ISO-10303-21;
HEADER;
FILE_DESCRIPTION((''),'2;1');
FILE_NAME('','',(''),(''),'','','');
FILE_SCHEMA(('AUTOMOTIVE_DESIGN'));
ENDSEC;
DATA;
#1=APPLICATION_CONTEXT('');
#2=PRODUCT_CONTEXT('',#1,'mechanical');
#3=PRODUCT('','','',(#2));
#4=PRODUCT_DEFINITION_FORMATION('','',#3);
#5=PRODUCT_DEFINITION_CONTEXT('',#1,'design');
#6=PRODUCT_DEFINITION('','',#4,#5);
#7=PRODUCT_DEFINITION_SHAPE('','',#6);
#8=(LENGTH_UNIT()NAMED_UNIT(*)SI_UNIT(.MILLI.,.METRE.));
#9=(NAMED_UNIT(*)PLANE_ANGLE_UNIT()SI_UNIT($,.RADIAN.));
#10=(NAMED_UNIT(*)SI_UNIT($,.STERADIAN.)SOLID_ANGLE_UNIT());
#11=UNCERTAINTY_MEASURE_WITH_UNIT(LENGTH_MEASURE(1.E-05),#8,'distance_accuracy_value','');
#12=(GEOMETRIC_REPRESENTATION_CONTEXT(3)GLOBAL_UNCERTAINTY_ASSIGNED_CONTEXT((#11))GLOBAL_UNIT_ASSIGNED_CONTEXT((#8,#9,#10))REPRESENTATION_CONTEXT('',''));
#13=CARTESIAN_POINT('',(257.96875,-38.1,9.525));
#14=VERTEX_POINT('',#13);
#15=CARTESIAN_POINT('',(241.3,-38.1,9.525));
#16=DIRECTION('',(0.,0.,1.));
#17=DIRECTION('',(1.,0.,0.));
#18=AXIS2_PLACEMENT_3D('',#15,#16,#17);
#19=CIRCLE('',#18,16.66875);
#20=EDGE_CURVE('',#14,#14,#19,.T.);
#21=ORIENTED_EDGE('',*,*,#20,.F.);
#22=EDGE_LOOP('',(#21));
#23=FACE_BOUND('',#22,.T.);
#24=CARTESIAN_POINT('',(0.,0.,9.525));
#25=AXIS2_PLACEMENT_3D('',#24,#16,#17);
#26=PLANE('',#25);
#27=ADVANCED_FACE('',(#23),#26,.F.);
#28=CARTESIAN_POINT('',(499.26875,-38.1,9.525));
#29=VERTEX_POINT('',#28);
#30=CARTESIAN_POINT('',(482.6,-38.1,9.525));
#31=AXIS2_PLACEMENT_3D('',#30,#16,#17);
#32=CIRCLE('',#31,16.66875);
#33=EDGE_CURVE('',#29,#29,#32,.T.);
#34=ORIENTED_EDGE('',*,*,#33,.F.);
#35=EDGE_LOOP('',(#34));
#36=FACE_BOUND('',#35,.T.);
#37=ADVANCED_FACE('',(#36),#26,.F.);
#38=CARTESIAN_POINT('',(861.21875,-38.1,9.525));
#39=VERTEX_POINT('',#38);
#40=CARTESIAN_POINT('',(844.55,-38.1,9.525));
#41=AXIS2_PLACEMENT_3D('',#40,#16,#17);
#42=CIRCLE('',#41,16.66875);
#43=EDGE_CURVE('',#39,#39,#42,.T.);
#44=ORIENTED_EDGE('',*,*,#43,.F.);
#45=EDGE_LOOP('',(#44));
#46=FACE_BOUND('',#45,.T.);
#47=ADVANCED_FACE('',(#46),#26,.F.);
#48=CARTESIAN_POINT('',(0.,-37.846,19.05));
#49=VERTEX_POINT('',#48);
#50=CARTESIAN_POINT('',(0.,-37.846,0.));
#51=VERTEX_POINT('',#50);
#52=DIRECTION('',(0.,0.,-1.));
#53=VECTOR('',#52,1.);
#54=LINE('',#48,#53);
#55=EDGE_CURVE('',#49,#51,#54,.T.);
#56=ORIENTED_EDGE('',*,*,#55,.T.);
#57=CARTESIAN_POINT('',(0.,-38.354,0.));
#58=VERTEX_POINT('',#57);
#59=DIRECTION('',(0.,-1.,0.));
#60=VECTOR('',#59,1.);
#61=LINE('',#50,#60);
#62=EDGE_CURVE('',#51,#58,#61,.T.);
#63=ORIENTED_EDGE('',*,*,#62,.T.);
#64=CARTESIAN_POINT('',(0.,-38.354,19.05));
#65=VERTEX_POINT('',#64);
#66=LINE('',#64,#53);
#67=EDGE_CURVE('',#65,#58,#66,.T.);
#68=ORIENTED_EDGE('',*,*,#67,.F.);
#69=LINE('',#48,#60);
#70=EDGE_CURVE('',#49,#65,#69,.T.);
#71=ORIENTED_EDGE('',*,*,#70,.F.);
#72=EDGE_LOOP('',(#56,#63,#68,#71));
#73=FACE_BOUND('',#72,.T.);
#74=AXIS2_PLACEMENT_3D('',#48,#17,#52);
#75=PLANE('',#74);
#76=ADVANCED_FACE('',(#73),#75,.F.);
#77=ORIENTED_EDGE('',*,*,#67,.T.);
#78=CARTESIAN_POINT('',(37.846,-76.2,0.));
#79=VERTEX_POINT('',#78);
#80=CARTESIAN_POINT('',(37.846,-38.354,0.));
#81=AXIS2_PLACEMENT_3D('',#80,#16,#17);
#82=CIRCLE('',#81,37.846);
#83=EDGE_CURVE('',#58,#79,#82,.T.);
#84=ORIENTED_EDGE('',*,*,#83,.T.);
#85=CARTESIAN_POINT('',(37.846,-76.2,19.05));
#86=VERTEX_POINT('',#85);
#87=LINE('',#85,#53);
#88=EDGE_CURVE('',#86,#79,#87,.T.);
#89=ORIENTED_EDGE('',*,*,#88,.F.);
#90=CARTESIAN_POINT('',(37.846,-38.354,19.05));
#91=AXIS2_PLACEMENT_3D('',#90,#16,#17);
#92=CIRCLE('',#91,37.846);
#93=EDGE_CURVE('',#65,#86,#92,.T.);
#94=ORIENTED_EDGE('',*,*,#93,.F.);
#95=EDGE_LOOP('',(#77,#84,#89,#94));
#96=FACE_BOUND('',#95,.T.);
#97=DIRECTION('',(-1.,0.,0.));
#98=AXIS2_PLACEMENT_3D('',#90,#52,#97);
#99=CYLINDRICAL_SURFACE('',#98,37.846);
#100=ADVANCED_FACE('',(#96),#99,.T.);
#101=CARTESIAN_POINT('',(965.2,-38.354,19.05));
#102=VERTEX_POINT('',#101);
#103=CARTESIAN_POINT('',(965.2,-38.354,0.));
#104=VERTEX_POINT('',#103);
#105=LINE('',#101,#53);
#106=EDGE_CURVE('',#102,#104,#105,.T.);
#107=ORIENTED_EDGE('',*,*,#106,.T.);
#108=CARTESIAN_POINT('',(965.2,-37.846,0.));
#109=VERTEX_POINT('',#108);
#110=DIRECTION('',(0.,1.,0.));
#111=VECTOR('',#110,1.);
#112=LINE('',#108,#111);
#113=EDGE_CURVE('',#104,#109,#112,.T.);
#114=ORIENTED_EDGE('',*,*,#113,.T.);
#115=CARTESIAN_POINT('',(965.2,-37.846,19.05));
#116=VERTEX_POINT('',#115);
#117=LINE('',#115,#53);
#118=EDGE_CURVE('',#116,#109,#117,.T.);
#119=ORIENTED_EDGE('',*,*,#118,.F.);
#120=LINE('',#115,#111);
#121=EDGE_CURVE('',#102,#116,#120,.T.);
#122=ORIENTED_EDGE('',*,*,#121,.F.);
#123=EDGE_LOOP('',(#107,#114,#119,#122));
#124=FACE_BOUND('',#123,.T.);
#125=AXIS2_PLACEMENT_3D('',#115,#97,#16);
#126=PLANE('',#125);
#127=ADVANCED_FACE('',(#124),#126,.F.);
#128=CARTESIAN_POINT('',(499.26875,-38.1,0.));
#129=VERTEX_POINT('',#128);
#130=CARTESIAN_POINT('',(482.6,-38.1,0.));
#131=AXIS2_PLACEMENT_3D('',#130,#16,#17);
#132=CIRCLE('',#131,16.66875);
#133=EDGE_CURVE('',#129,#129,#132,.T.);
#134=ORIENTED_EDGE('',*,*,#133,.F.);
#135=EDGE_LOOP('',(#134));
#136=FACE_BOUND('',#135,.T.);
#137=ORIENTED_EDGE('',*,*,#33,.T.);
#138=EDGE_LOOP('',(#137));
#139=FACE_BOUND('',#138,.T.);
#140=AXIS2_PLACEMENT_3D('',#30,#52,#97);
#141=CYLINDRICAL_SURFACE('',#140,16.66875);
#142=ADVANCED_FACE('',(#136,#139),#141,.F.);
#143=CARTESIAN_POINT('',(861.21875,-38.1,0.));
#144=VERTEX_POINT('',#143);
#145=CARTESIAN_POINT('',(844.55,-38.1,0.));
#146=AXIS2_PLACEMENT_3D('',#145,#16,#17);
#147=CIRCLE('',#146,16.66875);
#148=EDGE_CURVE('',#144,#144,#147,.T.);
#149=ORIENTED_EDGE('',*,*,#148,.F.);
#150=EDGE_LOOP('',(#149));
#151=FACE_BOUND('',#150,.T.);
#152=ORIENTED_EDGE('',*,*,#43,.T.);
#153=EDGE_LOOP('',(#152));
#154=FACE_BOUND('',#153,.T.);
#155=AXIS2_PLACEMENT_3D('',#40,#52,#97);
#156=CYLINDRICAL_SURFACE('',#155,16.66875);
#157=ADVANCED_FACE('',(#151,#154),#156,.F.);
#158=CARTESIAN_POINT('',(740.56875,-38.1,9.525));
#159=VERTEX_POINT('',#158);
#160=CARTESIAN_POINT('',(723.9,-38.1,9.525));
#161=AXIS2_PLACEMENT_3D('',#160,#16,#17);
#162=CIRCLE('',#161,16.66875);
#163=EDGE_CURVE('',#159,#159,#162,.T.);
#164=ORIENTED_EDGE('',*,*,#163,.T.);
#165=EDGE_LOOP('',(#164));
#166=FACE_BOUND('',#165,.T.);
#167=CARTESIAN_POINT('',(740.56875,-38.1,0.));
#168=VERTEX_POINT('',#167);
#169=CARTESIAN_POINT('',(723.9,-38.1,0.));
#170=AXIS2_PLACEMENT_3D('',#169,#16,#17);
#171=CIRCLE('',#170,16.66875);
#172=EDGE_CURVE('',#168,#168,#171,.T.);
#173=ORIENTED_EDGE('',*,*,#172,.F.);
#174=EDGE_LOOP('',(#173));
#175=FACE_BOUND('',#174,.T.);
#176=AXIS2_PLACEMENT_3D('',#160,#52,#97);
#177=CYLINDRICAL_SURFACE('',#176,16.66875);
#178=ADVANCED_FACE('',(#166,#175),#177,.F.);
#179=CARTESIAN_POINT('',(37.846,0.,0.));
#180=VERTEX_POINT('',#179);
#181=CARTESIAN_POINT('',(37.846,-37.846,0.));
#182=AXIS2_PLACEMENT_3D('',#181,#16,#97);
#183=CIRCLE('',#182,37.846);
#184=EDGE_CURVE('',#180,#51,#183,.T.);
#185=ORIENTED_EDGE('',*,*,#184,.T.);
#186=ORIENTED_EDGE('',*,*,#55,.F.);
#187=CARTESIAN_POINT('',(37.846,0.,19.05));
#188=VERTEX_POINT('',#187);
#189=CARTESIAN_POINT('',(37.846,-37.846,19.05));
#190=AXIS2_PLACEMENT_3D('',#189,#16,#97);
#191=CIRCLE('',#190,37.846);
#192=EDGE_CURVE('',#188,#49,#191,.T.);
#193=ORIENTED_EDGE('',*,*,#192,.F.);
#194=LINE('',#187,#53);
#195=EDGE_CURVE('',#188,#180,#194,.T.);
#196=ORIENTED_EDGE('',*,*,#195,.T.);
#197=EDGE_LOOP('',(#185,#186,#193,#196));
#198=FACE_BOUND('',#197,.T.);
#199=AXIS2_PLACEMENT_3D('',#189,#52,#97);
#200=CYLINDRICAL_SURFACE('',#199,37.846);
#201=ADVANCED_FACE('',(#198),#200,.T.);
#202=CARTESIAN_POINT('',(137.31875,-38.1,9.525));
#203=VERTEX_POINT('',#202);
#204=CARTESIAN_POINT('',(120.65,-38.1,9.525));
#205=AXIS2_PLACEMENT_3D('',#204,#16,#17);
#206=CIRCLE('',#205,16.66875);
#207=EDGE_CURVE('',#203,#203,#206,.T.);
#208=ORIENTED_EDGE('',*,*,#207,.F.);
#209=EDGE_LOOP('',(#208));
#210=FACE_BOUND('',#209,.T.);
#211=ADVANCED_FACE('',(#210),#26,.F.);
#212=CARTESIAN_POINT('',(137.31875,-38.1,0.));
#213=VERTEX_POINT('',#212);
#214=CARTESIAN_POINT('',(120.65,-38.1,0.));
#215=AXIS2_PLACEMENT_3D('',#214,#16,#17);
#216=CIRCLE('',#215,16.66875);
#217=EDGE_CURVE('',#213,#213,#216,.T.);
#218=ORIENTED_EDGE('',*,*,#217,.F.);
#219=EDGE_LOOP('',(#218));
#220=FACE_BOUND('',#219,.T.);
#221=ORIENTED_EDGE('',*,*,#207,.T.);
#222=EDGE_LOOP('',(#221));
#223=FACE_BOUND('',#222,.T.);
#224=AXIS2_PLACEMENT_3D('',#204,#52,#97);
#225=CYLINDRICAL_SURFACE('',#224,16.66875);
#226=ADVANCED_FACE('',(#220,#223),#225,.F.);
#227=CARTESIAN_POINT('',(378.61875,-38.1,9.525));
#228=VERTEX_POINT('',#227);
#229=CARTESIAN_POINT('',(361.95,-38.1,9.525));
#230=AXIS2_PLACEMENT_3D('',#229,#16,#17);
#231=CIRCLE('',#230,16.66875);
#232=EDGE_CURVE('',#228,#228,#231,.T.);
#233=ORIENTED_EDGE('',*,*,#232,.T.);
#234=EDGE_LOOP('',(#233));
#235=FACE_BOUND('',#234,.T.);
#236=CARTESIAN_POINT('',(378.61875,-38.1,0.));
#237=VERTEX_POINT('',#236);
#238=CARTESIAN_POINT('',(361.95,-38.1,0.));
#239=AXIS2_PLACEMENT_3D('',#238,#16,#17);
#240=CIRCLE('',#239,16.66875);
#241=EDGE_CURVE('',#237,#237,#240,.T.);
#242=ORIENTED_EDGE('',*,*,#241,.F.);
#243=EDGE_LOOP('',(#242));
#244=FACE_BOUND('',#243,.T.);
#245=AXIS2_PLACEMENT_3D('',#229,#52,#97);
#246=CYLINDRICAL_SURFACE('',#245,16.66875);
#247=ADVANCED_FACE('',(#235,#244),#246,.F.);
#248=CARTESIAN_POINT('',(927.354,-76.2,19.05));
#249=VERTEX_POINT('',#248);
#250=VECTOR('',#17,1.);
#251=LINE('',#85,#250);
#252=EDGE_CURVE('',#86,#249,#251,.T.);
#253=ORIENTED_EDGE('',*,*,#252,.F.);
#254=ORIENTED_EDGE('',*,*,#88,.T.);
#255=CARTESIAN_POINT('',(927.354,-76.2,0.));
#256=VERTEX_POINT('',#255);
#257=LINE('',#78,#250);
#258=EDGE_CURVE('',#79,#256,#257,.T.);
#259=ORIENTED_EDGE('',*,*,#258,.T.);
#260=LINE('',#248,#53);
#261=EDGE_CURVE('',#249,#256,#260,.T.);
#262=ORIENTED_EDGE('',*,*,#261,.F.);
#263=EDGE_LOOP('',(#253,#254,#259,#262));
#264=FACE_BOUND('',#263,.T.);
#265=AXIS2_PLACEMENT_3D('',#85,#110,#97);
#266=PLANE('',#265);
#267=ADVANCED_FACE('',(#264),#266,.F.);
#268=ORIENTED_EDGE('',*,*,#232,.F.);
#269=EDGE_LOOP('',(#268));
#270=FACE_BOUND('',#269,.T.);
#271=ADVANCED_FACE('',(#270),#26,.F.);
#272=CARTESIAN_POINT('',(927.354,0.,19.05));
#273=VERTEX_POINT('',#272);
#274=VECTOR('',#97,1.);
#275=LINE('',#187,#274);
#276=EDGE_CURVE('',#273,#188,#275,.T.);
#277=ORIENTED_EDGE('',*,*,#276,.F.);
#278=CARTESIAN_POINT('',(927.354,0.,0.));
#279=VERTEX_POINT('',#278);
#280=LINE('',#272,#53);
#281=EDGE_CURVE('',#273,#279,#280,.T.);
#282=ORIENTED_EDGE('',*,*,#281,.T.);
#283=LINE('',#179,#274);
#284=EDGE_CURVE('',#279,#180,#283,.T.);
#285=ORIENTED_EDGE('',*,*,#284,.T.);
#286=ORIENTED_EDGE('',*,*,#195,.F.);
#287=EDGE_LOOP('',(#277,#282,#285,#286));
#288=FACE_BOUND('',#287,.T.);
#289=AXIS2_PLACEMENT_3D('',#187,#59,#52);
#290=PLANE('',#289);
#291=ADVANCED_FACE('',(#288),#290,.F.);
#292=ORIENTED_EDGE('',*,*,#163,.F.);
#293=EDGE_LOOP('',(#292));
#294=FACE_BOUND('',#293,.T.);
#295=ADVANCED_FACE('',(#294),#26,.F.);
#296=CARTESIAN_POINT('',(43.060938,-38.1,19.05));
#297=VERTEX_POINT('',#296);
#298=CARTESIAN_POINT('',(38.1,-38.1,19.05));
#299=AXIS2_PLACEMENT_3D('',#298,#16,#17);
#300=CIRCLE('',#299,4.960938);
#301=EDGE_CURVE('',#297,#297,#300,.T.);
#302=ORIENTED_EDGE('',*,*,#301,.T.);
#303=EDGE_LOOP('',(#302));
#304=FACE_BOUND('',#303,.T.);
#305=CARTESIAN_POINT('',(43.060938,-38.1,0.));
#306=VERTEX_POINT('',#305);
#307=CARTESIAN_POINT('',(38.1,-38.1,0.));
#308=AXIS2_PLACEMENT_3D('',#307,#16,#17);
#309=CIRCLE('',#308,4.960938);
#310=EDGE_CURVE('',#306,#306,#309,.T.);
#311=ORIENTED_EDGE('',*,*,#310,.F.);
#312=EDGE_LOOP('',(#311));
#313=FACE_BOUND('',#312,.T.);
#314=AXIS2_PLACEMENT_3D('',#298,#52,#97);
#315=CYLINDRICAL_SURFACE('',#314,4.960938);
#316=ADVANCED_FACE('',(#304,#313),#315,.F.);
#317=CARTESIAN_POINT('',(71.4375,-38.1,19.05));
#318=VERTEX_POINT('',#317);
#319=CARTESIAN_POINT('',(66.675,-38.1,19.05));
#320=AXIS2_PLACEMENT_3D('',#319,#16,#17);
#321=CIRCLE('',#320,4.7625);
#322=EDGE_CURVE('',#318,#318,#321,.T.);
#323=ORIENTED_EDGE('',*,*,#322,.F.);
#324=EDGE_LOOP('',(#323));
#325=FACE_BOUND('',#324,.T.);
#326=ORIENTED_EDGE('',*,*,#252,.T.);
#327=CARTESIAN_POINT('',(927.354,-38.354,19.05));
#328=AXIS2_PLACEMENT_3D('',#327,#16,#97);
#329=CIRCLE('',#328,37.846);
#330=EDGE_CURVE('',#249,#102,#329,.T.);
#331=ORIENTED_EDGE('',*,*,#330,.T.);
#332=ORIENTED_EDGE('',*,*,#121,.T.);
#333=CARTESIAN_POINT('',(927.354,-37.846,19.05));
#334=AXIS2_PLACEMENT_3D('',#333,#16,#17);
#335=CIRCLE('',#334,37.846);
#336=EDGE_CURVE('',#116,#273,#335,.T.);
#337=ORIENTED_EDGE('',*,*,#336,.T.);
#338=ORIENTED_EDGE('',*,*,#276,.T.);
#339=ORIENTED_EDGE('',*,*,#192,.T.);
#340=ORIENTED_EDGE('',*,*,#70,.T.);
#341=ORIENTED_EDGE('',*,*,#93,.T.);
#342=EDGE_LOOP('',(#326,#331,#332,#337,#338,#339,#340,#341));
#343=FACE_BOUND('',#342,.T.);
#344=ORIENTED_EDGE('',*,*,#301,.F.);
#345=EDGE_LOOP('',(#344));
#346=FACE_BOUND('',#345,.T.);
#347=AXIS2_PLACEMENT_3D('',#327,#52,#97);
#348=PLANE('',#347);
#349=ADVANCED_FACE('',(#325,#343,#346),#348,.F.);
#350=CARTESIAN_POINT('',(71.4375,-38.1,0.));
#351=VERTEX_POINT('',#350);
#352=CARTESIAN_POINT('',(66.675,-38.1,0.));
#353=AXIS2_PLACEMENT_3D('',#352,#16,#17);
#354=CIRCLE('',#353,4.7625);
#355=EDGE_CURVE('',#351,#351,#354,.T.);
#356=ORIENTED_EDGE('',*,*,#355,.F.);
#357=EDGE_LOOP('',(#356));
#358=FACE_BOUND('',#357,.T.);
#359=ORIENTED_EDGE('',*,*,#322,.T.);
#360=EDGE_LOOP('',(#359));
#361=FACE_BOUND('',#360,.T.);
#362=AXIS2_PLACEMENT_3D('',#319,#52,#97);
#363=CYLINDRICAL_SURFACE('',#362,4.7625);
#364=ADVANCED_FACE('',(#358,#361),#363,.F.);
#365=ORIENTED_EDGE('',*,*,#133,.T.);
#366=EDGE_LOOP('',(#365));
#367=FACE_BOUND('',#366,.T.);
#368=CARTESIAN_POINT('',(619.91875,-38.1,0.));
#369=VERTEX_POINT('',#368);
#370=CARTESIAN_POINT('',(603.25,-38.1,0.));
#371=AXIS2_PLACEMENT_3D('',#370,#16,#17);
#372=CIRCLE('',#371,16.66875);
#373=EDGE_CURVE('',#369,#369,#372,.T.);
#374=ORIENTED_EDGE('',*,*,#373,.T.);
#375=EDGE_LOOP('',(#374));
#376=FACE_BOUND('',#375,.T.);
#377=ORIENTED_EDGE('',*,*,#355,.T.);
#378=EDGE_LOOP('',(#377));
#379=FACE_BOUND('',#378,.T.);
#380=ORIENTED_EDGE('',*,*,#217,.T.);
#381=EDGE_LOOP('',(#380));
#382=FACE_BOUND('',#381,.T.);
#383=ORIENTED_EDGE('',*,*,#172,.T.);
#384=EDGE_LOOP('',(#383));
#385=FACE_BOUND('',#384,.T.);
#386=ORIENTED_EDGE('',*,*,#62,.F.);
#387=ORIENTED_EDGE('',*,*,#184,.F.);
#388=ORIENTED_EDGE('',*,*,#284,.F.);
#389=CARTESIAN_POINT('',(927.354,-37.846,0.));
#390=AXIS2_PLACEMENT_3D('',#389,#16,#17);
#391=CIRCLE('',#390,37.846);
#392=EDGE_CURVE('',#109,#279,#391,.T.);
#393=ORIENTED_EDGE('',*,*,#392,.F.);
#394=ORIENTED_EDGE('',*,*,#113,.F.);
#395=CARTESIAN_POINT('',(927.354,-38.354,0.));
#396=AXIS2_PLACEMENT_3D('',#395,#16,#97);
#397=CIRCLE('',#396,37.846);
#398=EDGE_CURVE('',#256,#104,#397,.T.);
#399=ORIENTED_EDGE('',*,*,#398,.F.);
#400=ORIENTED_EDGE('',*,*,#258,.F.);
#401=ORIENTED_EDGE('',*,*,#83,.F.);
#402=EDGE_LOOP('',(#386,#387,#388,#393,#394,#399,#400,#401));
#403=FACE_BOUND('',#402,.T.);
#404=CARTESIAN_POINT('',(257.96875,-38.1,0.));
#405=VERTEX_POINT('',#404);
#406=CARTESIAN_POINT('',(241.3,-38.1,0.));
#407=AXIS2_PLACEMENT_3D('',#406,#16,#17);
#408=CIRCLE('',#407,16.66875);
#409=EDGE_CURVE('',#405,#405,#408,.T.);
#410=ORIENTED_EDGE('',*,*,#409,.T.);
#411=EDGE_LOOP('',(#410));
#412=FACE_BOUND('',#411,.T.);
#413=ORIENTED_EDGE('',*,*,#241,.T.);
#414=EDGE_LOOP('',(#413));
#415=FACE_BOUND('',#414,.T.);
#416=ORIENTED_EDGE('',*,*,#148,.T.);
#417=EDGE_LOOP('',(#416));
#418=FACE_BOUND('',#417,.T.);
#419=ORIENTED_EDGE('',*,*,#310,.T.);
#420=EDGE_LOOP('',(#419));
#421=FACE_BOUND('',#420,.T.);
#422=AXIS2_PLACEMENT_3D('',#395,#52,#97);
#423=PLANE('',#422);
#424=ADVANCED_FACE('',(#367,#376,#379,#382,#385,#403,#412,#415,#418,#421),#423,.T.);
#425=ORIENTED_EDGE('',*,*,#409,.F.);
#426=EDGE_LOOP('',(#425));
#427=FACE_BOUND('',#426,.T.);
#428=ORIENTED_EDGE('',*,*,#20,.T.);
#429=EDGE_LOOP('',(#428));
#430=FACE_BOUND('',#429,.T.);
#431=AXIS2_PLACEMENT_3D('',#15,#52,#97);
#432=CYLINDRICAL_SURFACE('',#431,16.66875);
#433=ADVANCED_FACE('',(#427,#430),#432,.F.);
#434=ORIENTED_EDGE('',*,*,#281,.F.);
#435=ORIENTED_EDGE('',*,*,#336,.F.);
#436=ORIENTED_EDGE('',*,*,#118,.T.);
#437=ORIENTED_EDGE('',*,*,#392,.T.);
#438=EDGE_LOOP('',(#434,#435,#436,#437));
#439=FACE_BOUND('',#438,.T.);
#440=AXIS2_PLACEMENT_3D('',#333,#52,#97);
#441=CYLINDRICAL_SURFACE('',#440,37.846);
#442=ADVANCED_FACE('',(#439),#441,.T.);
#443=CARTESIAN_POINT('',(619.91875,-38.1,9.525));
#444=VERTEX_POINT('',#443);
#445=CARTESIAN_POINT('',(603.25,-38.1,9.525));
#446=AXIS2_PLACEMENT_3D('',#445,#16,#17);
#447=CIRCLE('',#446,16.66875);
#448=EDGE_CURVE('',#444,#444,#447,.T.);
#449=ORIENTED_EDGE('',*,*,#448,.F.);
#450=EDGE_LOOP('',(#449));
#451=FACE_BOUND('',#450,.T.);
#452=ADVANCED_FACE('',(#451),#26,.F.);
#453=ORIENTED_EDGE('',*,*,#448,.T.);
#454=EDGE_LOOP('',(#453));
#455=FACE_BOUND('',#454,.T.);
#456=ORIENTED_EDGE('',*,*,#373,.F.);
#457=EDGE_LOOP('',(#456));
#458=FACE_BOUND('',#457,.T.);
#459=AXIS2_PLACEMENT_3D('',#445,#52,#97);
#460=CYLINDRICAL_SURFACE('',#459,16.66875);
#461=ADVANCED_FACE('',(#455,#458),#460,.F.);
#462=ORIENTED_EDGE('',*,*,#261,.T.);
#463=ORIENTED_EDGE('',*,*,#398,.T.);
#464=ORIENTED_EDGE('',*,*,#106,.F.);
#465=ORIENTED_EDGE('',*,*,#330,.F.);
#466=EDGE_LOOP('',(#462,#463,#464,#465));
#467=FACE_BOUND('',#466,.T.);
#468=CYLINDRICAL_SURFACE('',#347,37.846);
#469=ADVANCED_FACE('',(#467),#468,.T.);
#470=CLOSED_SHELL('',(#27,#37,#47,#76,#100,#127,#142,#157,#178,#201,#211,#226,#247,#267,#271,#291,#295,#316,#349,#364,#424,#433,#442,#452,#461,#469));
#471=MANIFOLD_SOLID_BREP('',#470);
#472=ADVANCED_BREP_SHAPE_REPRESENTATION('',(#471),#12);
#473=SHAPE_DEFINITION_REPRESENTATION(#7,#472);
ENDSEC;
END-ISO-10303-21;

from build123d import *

# Parameters (mm, degrees)
BOSS_EXTRUDE1_DEPTH = 19.05
SKETCH3_R           = 16.66875
CUT_EXTRUDE1_DEPTH  = 9.525
SKETCH5_R           = 4.9609375
SKETCH5_R_2         = 4.7625
CUT_EXTRUDE10_DEPTH = 19.05


with BuildPart() as part:
    # Sketch2 → Boss-Extrude1 (new body)
    with BuildSketch(Plane.XY):
        with BuildLine():
            Line((37.846, 0), (927.354, 0))
            ThreePointArc((927.354, 0), (954.115163241, -11.084836759), (965.2, -37.846))
            Line((965.2, -37.846), (965.2, -38.354))
            ThreePointArc((965.2, -38.354), (954.115163241, -65.115163241), (927.354, -76.2))
            Line((927.354, -76.2), (37.846, -76.2))
            ThreePointArc((37.846, -76.2), (11.084836759, -65.115163241), (0, -38.354))
            Line((0, -38.354), (0, -37.846))
            ThreePointArc((0, -37.846), (11.084836759, -11.084836759), (37.846, 0))
        make_face()
    extrude(amount=BOSS_EXTRUDE1_DEPTH)

    # Sketch3 → Cut-Extrude1 (cut)
    with BuildSketch(Plane.XY):
        with Locations((120.65, -38.1)):
            Circle(SKETCH3_R)
        with Locations((241.3, -38.1)):
            Circle(SKETCH3_R)
        with Locations((361.95, -38.1)):
            Circle(SKETCH3_R)
        with Locations((844.55, -38.1)):
            Circle(SKETCH3_R)
        with Locations((723.9, -38.1)):
            Circle(SKETCH3_R)
        with Locations((603.25, -38.1)):
            Circle(SKETCH3_R)
        with Locations((482.6, -38.1)):
            Circle(SKETCH3_R)
    extrude(amount=CUT_EXTRUDE1_DEPTH, mode=Mode.SUBTRACT)

    # Sketch5 → Cut-Extrude10 (cut)
    with BuildSketch(Plane.XY):
        with Locations((38.1, -38.1)):
            Circle(SKETCH5_R)
        with Locations((66.675, -38.1)):
            Circle(SKETCH5_R_2)
    extrude(amount=CUT_EXTRUDE10_DEPTH, mode=Mode.SUBTRACT)


solid = part.part
